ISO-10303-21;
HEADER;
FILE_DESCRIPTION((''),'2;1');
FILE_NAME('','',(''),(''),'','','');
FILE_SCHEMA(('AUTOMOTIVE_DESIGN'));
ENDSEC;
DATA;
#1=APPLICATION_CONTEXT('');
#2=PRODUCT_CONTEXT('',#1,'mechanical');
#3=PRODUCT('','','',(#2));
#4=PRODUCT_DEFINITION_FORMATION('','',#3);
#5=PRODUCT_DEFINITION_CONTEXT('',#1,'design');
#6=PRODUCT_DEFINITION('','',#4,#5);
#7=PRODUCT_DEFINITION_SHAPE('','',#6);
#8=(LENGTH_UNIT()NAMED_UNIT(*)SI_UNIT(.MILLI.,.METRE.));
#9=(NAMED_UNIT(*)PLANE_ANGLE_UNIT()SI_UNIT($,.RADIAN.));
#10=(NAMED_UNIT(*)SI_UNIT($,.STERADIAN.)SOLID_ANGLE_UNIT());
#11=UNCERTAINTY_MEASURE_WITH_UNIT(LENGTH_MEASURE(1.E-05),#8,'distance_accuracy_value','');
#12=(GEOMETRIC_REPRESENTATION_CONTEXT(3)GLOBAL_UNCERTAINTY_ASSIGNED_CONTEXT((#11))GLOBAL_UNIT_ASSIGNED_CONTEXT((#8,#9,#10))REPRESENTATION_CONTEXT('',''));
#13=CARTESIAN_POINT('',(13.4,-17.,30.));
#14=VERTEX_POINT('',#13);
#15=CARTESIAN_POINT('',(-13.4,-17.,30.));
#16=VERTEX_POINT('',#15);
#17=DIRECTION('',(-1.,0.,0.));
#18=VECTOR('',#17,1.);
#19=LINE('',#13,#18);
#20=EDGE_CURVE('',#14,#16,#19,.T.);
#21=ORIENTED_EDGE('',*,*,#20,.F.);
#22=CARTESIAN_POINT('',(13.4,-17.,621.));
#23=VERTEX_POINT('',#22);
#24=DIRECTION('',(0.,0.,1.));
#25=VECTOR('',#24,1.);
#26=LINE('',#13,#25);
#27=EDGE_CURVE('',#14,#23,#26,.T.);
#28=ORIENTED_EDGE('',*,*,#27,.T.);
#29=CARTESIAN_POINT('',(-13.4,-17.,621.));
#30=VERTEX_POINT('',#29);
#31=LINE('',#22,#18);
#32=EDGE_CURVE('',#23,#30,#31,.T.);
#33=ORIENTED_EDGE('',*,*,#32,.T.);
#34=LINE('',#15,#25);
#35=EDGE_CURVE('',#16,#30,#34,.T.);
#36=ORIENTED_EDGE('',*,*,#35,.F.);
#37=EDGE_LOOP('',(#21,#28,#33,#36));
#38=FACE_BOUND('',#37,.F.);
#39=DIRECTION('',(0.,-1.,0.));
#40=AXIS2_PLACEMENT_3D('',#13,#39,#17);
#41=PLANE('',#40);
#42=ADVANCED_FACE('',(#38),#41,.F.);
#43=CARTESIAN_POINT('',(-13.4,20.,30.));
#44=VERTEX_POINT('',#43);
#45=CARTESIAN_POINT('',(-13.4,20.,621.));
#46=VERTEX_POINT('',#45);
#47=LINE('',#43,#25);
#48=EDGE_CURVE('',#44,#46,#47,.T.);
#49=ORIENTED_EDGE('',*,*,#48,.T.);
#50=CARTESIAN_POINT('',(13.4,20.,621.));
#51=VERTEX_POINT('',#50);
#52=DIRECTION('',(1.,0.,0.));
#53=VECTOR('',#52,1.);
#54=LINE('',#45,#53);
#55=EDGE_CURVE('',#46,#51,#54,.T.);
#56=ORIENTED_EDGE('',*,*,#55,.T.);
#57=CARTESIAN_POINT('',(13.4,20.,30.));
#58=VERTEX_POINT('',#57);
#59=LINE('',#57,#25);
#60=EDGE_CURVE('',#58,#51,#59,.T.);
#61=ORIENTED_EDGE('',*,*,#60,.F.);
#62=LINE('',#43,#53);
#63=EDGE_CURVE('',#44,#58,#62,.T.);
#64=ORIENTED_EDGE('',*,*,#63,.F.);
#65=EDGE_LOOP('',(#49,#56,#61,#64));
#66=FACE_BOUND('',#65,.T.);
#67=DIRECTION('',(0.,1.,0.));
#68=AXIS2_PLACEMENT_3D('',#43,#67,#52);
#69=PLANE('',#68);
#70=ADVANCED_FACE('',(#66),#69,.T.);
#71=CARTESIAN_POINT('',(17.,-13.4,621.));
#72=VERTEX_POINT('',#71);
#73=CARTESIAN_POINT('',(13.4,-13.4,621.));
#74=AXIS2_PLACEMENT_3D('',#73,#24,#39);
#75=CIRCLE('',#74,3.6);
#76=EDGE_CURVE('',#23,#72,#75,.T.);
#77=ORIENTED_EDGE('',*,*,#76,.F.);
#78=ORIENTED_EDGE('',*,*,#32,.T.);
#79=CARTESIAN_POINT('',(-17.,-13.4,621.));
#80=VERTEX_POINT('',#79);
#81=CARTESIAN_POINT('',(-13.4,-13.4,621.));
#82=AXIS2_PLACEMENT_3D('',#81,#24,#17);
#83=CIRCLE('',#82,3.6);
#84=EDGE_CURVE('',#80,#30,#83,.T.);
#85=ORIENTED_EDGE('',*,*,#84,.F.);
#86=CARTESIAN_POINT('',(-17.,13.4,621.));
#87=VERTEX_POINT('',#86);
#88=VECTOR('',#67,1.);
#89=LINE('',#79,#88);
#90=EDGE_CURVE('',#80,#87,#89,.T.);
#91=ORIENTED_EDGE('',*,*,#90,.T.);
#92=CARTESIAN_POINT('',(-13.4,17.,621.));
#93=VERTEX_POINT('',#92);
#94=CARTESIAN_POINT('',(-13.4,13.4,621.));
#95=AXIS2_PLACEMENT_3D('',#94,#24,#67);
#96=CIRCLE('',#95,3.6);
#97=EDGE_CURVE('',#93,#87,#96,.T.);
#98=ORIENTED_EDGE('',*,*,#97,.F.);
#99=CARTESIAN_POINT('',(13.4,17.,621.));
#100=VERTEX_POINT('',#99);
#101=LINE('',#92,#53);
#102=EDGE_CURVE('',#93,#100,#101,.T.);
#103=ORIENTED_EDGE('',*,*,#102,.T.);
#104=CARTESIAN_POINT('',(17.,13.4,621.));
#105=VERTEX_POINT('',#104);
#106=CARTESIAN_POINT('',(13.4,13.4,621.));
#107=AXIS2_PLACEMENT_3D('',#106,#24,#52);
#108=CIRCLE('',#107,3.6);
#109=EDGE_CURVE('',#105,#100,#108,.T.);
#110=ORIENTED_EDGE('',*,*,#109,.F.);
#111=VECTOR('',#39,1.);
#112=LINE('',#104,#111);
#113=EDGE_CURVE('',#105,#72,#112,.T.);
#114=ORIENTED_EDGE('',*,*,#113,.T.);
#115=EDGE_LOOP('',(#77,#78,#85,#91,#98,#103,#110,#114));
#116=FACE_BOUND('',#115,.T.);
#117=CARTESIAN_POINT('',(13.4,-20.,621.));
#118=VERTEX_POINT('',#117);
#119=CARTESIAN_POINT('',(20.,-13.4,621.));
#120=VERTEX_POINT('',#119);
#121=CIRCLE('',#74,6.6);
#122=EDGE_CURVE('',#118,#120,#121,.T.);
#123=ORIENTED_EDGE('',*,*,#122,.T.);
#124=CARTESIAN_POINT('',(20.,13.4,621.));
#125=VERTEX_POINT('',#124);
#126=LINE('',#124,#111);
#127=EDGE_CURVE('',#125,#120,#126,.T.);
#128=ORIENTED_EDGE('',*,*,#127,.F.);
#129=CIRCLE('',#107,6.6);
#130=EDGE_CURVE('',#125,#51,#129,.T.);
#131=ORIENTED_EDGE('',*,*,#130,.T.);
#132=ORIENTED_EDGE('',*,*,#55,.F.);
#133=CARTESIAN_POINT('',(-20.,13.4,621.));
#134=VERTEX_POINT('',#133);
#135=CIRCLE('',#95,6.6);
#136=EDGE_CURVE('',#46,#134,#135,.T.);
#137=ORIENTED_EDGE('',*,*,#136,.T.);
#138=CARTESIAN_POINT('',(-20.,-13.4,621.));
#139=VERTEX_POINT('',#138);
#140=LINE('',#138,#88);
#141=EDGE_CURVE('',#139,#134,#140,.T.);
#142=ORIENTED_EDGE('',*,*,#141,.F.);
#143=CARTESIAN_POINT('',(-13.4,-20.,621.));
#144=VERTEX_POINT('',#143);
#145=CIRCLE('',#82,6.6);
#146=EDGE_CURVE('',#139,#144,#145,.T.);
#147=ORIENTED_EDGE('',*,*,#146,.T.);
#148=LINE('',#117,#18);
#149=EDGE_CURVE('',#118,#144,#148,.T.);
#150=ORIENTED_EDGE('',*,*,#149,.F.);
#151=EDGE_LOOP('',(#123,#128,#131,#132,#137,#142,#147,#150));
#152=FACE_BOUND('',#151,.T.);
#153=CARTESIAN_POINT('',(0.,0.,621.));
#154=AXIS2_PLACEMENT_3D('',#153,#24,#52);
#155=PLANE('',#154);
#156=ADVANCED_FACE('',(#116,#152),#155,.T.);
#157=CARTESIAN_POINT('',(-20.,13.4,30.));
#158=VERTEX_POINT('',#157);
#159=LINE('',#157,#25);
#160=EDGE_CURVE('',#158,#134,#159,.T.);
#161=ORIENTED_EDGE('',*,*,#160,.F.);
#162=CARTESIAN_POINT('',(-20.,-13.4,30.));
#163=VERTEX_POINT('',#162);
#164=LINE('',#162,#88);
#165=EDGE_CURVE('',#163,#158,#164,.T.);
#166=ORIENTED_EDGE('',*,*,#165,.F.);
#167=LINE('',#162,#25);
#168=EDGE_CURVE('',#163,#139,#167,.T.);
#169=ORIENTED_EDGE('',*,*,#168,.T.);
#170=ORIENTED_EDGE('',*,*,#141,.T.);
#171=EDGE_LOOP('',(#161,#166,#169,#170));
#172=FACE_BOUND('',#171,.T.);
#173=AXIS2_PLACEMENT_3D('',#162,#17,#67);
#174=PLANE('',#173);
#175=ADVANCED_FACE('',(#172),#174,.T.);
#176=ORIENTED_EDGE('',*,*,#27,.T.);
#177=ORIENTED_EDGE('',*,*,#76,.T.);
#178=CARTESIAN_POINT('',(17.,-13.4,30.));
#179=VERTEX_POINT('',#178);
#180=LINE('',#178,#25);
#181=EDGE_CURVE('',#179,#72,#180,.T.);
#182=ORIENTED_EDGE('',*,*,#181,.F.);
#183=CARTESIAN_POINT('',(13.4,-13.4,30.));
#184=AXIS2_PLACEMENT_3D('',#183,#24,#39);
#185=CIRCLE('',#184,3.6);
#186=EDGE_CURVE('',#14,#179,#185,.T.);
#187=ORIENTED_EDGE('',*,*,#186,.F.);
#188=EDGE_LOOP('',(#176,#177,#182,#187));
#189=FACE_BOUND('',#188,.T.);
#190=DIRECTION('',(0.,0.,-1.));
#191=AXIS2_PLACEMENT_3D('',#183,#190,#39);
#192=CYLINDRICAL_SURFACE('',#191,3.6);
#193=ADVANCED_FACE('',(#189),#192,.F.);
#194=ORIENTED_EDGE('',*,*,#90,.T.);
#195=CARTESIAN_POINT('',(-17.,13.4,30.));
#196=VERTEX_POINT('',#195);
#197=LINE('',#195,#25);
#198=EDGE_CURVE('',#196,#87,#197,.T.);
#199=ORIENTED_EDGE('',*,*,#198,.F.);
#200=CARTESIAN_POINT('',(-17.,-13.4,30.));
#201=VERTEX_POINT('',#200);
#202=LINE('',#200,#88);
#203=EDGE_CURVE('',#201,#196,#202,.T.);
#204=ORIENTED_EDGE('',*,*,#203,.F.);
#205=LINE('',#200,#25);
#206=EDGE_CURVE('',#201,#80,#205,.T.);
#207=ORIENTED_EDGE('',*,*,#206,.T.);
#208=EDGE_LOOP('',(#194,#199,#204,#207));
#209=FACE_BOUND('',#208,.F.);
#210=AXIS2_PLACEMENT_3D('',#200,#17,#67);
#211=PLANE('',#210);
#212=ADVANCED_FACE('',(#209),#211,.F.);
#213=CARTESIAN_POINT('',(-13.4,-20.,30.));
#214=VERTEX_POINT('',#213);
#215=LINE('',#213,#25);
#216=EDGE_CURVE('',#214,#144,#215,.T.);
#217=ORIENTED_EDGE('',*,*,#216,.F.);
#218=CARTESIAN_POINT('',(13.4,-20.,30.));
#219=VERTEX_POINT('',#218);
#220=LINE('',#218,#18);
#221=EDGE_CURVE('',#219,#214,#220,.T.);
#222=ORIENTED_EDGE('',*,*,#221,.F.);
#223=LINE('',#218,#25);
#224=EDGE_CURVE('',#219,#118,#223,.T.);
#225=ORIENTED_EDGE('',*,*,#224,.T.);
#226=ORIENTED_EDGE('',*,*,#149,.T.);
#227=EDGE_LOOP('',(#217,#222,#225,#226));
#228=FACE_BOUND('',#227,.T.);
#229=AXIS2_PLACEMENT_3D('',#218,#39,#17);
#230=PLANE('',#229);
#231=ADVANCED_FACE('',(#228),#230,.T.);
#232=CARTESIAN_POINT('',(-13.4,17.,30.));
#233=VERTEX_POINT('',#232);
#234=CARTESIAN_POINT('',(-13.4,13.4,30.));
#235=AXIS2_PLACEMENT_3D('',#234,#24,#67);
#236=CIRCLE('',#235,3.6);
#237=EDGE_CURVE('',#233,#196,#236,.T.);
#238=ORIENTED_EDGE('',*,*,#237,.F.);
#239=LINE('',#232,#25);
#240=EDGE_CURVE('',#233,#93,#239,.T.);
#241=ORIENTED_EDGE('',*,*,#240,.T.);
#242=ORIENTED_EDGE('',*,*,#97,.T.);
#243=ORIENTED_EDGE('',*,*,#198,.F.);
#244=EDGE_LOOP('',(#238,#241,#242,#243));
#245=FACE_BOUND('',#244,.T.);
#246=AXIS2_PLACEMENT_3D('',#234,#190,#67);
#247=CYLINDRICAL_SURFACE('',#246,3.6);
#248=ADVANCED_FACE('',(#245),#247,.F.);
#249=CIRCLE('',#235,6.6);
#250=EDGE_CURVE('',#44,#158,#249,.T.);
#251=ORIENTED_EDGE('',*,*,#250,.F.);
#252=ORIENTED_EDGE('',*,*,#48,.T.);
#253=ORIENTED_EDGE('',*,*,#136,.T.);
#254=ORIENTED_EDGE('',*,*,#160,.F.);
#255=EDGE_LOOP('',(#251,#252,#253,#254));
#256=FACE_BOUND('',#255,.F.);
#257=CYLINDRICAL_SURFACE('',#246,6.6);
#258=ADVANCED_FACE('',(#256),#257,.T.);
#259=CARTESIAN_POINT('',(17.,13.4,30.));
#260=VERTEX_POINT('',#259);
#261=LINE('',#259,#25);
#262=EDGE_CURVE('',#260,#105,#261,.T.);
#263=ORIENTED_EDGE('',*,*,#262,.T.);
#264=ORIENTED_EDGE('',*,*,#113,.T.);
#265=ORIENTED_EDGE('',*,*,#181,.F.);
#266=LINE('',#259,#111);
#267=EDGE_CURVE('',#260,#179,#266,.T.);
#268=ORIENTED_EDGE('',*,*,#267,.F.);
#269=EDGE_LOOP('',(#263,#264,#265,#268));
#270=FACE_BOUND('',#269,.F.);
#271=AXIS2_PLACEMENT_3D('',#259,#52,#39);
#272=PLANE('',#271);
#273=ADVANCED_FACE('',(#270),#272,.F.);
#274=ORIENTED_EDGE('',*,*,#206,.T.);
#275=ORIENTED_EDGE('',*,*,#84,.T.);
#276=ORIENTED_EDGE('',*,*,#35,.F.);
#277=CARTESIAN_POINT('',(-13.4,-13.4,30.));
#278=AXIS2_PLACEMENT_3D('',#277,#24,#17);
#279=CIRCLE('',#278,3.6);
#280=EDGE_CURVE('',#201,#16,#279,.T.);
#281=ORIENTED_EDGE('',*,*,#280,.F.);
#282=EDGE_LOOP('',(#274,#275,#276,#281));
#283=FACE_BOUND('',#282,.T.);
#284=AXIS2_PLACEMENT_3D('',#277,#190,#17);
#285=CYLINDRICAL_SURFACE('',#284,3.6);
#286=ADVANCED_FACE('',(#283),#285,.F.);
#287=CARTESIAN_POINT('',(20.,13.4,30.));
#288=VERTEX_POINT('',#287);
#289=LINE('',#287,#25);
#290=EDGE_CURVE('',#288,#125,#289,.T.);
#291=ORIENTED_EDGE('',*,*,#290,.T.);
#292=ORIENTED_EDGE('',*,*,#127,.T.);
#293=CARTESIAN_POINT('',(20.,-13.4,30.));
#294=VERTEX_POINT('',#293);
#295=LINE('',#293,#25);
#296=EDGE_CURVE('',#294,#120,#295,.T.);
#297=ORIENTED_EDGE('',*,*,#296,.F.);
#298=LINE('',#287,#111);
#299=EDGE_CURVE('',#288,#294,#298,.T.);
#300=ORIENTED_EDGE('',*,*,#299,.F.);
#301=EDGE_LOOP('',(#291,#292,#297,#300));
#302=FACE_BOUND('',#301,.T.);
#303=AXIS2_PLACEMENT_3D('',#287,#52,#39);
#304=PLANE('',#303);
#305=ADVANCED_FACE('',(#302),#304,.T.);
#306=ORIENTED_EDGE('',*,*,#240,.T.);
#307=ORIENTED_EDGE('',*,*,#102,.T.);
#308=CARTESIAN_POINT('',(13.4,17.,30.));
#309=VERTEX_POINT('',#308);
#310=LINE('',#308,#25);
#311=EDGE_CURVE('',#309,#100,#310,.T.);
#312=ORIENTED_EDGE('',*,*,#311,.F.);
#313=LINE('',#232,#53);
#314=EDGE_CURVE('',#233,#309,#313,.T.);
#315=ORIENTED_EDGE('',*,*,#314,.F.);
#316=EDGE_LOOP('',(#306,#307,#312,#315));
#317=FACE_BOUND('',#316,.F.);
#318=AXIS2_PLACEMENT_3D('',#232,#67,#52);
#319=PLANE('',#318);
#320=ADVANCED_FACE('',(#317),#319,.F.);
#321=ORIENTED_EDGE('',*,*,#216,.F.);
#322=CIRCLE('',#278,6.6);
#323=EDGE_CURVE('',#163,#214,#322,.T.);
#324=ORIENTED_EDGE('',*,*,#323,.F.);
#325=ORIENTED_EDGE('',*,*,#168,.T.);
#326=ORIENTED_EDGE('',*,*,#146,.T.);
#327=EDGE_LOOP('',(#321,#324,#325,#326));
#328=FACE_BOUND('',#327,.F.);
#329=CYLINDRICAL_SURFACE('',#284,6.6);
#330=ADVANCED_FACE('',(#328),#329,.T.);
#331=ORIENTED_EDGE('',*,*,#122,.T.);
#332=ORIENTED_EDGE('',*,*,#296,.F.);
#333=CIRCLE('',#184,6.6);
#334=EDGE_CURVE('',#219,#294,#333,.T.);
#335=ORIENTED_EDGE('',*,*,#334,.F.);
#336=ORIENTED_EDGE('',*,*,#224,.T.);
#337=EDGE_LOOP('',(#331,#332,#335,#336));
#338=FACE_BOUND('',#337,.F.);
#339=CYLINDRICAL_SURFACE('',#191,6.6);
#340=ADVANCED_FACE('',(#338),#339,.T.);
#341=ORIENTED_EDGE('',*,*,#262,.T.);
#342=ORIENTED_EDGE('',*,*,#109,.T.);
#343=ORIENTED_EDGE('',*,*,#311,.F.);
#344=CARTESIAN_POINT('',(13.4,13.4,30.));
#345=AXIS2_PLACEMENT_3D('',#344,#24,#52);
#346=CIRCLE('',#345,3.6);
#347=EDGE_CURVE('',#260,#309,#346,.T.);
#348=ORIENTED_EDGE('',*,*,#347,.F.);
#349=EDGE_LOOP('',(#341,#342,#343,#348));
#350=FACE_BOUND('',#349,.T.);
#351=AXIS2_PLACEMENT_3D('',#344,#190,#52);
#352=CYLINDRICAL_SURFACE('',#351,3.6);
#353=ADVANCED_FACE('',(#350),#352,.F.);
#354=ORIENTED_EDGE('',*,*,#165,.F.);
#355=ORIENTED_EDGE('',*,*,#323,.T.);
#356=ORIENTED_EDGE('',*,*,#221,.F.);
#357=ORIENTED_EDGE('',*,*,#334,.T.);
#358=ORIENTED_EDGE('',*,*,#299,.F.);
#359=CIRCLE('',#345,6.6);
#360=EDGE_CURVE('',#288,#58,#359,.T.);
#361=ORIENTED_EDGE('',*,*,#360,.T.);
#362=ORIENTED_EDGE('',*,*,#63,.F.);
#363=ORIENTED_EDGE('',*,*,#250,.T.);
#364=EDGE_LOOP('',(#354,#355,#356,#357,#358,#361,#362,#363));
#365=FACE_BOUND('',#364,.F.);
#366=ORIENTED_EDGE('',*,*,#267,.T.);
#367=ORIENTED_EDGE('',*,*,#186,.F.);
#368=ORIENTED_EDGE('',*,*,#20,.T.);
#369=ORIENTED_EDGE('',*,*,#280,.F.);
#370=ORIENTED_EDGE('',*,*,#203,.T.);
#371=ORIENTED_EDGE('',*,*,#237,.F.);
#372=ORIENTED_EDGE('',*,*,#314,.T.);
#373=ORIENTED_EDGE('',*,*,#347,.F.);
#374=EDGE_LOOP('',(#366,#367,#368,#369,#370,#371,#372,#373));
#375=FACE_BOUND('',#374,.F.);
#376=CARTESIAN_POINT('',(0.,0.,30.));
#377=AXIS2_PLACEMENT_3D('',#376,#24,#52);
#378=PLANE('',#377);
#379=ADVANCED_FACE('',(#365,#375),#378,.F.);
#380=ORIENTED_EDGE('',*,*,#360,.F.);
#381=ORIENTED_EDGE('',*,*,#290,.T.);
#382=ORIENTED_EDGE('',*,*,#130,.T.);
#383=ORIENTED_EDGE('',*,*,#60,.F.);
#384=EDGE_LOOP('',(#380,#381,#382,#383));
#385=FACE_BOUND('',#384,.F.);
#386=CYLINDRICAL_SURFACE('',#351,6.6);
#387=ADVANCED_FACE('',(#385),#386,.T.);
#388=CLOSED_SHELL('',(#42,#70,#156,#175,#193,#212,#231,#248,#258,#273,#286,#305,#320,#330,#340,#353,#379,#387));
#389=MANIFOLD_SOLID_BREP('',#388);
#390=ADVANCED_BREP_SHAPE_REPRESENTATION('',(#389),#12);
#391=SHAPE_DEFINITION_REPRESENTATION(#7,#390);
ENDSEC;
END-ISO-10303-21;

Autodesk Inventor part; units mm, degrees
ref_plane "Start plane" through (0, 0, 30) normal (0, 0, 1) x (1, 0, 0)
ref_plane "End plane" through (0, 0, 621) normal (0, 0, 1) x (1, 0, 0)
sketch "Sketch" plane through (0, 0, 0) normal (0, 0, 1) x (1, 0, 0)
  line L0 (-20, -13.4) -> (-20, 13.4)
  line L1 (-13.4, 20) -> (13.4, 20)
  line L2 (20, 13.4) -> (20, -13.4)
  line L3 (13.4, -20) -> (-13.4, -20)
  arc A0 (-20, -13.4) -> (-13.4, -20) centre (-13.4, -13.4) ccw
  arc A1 (-13.4, 20) -> (-20, 13.4) centre (-13.4, 13.4) ccw
  arc A2 (20, 13.4) -> (13.4, 20) centre (13.4, 13.4) ccw
  arc A3 (13.4, -20) -> (20, -13.4) centre (13.4, -13.4) ccw
  arc A4 (-13.4, 17) -> (-17, 13.4) centre (-13.4, 13.4) ccw
  line L4 (-13.4, 17) -> (13.4, 17)
  arc A5 (17, 13.4) -> (13.4, 17) centre (13.4, 13.4) ccw
  line L5 (17, 13.4) -> (17, -13.4)
  arc A6 (13.4, -17) -> (17, -13.4) centre (13.4, -13.4) ccw
  line L6 (13.4, -17) -> (-13.4, -17)
  arc A7 (-17, -13.4) -> (-13.4, -17) centre (-13.4, -13.4) ccw
  line L7 (-17, -13.4) -> (-17, 13.4)
  line L8 (0, 22.0873) -> (0, -22.0873) construction
  line L9 (-22.0873, 0) -> (22.0873, 0) construction
  dimension "d7" = 6.6
  dimension "d10" = 40
  dimension "d11" = 40
  dimension "d12" = 3
  dimension "d15" = 20
  dimension "d16" = 20
extrude "Body" add sketch "Sketch" along normal up to surface (591 mm away) from surface at 30
sketch "Sketch3" plane through (0, 0, 0) normal (0, 0, 1) x (1, 0, 0)
  line L0 (0, 0) -> (10, 0)
ref_plane "Work Plane3" through (0, 0, 0) normal (0, -1, 0) x (1, 0, 0)
sketch "Sketch4" plane through (0, 0, 0) normal (0, -1, 0) x (1, 0, 0)
  line L0 (-2, 30) -> (12, 30)
  line L1 (-2, 621) -> (12, 621)
  dimension "d18" = 591
ref_plane "Work Plane4" through (-1622.8, 615, 621) normal (0, 0, 1) x (1, 0, 0)
split "Split1" plane through (-1622.8, 615, 621) removes the side toward (0, 0, 1)
ref_plane "Work Plane5" through (-1608.8, -235, 30) normal (0, 0, -1) x (-1, 0, 0)
split "Split2" plane through (-1608.8, -235, 30) removes the side toward (0, 0, -1)
equation "\"d7\" = G_IR"
equation "\"d10\" = G_H"
equation "\"d11\" = G_W"
equation "\"d12\" = G_T"
equation "\"d15\" = 0.5 * d10"
equation "\"d16\" = 0.5 * d11"
equation "\"d3\" = G_L"
equation "\"G_W\" = 40"
equation "\"G_H\" = 40"
equation "\"G_T\" = 3"
equation "\"G_IR\" = 6.6"
equation "\"G_L\" = d18"
equation "\"d14\" = G_OFFSET_END + B_L"
equation "\"B_L\" = 651"
equation "\"G_OFFSET_END\" = -30"
properties part number "DIN EN 10305-5 - 40 x 40 x 3  - 591" material "Steel, Mild"
